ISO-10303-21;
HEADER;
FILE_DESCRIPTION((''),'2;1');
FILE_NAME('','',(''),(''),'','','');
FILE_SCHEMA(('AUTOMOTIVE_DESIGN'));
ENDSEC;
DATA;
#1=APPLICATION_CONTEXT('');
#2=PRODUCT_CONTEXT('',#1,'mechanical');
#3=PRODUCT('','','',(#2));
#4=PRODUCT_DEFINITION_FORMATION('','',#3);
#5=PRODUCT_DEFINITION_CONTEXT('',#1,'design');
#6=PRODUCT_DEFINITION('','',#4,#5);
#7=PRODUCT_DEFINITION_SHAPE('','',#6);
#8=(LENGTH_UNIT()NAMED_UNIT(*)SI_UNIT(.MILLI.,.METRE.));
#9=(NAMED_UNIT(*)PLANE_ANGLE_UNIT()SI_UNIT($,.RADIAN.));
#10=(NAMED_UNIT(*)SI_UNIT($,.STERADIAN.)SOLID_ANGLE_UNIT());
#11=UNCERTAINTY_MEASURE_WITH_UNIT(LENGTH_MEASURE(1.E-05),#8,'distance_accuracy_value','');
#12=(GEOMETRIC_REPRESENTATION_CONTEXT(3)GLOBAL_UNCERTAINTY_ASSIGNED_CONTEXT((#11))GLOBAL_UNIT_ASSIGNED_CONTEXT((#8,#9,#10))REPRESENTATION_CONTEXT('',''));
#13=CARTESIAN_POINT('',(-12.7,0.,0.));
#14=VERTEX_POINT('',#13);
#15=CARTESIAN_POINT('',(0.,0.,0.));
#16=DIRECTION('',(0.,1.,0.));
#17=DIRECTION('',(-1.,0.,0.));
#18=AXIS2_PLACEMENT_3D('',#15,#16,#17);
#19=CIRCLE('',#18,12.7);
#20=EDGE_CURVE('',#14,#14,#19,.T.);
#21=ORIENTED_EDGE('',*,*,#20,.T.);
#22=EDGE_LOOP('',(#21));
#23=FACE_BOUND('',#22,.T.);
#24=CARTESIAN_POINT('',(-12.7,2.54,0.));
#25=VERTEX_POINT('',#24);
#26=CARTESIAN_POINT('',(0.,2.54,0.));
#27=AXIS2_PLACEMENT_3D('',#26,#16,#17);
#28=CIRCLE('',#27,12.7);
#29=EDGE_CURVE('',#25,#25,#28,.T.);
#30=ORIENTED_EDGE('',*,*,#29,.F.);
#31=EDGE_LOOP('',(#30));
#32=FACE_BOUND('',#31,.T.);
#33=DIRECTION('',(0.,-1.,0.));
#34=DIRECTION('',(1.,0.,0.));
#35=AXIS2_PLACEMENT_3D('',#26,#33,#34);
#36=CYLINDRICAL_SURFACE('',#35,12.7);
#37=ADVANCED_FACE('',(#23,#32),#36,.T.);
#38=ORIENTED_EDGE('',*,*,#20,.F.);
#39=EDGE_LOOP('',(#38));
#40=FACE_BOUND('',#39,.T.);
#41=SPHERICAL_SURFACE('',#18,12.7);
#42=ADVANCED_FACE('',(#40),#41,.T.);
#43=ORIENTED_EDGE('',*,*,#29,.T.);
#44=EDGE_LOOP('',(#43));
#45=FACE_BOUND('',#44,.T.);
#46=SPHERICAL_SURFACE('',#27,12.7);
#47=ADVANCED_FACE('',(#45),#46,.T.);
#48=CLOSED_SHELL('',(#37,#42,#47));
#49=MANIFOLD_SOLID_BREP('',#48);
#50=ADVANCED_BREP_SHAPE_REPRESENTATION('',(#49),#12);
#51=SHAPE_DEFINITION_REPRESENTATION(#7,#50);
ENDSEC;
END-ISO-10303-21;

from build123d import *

# Parameters (mm, degrees)
REVOLVE2_ANGLE      = 180
SKETCH2_R           = 12.7
BOSS_EXTRUDE1_DEPTH = 2.54
REVOLVE3_ANGLE      = 180


with BuildPart() as part:
    # Sketch1 → Revolve2 (revolve)
    with BuildSketch(Plane(origin=(0, 0, 0), x_dir=(1, 0, 0), z_dir=(0, 1, 0))):
        with BuildLine():
            Line((0, -12.7), (0, 12.7))
            ThreePointArc((0, 12.7), (12.7, 0), (0, -12.7))
        make_face()
    revolve(axis=Axis((0, 0, 12.7), (0, 0, -1)), revolution_arc=REVOLVE2_ANGLE)

    # Sketch2 → Boss-Extrude1 (add)
    with BuildSketch(Plane(origin=(0, 0, 0), x_dir=(1, 0, 0), z_dir=(0, 1, 0))):
        with Locations(Location((0, 0, 0), (0, 0, 180))):
            Circle(SKETCH2_R)
    extrude(amount=BOSS_EXTRUDE1_DEPTH)

    # Sketch3 → Revolve3 (revolve)
    with BuildSketch(Plane(origin=(0, 2.54, 0), x_dir=(1, 0, 0), z_dir=(0, 1, 0))):
        with BuildLine():
            Line((0, 12.7), (0, -12.7))
            ThreePointArc((0, -12.7), (12.7, 0), (0, 12.7))
        make_face()
    revolve(axis=Axis((0, 2.54, -12.7), (0, 0, 1)), revolution_arc=REVOLVE3_ANGLE)


solid = part.part
